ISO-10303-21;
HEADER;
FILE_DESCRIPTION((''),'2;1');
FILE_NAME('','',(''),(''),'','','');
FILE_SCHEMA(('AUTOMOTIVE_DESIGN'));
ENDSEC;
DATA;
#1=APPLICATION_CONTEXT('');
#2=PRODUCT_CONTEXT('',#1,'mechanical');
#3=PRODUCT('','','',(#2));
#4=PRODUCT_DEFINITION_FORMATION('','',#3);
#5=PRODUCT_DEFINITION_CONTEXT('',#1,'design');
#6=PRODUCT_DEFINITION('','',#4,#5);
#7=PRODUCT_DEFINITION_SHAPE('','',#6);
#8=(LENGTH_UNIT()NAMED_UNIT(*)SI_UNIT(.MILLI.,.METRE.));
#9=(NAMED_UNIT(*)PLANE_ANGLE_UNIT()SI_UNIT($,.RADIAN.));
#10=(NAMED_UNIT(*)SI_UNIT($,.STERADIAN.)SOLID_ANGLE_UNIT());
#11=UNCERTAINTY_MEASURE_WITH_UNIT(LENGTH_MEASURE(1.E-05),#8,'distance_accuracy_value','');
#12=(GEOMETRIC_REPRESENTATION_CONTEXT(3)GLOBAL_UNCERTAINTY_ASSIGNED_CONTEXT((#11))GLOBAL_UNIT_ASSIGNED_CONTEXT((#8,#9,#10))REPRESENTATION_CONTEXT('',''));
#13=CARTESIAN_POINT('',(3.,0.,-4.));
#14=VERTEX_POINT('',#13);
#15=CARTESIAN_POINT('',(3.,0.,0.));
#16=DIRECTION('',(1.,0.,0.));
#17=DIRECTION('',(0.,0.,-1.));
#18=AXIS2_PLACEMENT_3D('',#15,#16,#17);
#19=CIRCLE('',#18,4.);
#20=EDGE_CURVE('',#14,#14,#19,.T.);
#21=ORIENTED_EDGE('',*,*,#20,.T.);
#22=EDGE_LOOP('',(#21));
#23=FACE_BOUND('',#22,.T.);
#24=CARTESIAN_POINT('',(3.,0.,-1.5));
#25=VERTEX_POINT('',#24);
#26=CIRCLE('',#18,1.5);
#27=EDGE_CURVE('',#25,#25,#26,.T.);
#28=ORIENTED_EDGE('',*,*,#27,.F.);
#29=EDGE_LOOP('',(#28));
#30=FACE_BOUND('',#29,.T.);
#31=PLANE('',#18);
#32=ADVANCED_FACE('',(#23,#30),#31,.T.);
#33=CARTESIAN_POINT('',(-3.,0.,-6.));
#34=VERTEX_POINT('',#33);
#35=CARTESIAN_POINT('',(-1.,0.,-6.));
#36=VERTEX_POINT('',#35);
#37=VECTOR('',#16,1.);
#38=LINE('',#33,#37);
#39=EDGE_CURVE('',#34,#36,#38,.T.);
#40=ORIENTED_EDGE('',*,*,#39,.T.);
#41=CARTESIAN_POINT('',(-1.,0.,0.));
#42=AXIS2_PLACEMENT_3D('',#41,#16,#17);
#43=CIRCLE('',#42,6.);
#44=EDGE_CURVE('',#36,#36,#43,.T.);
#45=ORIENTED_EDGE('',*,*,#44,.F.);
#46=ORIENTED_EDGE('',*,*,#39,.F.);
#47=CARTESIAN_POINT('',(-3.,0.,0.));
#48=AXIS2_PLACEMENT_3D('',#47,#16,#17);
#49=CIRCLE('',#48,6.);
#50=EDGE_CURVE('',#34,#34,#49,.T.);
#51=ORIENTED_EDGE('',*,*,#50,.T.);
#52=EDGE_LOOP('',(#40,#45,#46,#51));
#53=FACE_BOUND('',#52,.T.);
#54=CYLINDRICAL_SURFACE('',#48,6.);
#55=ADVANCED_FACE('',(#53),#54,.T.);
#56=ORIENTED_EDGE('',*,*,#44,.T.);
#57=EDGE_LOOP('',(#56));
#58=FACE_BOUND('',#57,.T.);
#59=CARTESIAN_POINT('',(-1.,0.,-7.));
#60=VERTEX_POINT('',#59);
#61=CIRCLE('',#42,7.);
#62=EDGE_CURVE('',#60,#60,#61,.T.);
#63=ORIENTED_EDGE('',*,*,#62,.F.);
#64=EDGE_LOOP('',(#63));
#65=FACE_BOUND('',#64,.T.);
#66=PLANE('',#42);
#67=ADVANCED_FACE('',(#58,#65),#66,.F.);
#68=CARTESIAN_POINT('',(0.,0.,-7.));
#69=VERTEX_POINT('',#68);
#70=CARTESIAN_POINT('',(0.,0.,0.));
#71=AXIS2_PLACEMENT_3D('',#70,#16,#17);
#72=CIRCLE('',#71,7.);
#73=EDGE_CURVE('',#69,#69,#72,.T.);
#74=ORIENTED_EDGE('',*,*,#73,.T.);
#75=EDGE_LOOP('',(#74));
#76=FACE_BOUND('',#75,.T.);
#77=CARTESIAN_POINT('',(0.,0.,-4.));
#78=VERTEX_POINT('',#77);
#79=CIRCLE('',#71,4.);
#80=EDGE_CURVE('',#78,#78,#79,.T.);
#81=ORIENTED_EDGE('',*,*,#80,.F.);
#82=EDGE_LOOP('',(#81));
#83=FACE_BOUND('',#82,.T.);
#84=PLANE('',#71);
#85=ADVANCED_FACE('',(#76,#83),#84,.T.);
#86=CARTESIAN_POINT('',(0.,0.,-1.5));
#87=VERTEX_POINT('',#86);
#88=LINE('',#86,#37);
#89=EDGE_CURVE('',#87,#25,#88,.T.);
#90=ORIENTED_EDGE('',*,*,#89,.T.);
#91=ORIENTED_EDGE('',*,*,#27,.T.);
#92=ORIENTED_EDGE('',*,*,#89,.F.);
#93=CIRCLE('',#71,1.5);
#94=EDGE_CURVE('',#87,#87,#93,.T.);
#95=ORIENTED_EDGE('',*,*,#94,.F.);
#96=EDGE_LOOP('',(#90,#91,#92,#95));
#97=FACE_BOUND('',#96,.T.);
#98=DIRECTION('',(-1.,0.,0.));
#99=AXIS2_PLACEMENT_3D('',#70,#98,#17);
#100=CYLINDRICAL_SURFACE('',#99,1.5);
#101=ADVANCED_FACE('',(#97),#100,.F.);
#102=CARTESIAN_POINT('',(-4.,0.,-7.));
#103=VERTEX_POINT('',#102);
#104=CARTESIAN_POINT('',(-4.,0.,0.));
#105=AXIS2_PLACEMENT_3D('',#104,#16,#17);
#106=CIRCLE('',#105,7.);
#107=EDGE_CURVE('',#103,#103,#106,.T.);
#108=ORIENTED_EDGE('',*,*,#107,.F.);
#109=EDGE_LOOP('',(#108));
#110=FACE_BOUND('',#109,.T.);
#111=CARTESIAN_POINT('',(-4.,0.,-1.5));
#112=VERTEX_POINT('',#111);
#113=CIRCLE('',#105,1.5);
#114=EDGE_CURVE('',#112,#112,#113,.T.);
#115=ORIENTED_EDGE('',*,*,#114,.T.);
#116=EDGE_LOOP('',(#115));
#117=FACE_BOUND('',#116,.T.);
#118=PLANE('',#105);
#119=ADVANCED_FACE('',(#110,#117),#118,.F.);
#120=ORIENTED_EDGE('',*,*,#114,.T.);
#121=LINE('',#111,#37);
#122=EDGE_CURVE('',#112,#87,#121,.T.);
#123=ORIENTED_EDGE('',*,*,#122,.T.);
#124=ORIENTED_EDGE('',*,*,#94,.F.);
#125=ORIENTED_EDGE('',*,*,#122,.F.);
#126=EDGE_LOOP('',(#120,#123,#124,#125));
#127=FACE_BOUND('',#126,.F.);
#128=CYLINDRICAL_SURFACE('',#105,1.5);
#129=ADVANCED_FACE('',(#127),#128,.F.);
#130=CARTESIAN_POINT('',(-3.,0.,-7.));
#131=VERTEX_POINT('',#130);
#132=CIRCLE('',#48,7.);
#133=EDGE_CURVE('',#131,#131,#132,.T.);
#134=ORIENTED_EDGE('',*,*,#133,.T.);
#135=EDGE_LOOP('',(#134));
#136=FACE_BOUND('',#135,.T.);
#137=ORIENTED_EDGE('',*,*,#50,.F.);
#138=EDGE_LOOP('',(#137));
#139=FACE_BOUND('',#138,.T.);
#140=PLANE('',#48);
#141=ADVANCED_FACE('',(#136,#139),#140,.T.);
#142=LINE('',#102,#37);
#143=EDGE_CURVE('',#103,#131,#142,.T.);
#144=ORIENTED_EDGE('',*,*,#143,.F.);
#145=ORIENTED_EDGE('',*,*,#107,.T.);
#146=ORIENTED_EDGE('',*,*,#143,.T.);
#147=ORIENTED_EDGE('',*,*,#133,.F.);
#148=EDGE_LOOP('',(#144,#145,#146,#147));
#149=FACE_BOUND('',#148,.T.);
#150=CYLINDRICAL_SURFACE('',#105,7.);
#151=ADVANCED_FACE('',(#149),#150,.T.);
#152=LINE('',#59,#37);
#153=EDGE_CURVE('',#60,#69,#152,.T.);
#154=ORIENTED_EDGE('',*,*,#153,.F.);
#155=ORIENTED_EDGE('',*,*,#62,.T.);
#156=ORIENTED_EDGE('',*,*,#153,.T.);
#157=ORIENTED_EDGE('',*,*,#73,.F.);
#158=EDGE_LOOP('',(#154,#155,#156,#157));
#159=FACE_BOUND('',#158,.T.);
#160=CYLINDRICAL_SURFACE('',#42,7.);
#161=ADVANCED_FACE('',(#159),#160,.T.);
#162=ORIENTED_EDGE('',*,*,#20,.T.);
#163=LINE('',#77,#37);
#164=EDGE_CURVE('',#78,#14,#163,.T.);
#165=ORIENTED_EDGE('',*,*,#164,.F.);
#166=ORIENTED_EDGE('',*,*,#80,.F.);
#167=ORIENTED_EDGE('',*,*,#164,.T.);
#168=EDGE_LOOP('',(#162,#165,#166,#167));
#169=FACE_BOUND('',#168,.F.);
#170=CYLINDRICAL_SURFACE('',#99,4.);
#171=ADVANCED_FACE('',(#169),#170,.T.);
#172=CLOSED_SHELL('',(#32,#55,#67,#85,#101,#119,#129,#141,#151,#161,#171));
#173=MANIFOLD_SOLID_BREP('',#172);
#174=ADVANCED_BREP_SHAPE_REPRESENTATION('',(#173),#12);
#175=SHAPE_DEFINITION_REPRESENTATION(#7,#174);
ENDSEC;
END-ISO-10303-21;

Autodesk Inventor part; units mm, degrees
ref_plane "YZ Plane" through (0, 0, 0) normal (1, 0, 0) x (0, 1, 0)
ref_plane "XZ Plane" through (0, 0, 0) normal (0, 1, 0) x (-1, 0, 0)
ref_plane "XY Plane" through (0, 0, 0) normal (0, 0, 1) x (1, 0, 0)
sketch "スケッチ1" plane through (0, 0, 0) normal (0, 1, 0) x (-1, 0, 0)
  line L0 (4, 0) -> (4, -7)
  line L1 (4, -7) -> (3, -7)
  line L2 (3, -7) -> (3, -6)
  line L3 (3, -6) -> (1, -6)
  line L4 (1, -6) -> (1, -7)
  line L5 (1, -7) -> (0, -7)
  line L6 (0, -7) -> (0, 0)
  line L7 (4.8, 0) -> (-0.8, 0) projected
  line L8 (4, -1.5) -> (0, -1.5)
  point P0 (1, -6.5)
  dimension "d0" = 1.5
  dimension "d1" = 7
  dimension "d2" = 1
  dimension "d3" = 2
  dimension "d4" = 1
revolve "回転1" add sketch "スケッチ1" angle 360 about axis through (-10, 0, 0) along (1, 0, 0) contours L0 L1 L2 L3 L4 L5 L6 L8
sketch "スケッチ2" plane through (0, 0, 0) normal (1, 0, 0) x (0, 0, -1)
  circle A0 centre (0, 0) radius 4
  circle A1 centre (0, 0) radius 1.5 projected
  dimension "d6" = 8
extrude "押し出し1" add sketch "スケッチ2" along normal blind 3
properties part number "Pulley_OutSide"
